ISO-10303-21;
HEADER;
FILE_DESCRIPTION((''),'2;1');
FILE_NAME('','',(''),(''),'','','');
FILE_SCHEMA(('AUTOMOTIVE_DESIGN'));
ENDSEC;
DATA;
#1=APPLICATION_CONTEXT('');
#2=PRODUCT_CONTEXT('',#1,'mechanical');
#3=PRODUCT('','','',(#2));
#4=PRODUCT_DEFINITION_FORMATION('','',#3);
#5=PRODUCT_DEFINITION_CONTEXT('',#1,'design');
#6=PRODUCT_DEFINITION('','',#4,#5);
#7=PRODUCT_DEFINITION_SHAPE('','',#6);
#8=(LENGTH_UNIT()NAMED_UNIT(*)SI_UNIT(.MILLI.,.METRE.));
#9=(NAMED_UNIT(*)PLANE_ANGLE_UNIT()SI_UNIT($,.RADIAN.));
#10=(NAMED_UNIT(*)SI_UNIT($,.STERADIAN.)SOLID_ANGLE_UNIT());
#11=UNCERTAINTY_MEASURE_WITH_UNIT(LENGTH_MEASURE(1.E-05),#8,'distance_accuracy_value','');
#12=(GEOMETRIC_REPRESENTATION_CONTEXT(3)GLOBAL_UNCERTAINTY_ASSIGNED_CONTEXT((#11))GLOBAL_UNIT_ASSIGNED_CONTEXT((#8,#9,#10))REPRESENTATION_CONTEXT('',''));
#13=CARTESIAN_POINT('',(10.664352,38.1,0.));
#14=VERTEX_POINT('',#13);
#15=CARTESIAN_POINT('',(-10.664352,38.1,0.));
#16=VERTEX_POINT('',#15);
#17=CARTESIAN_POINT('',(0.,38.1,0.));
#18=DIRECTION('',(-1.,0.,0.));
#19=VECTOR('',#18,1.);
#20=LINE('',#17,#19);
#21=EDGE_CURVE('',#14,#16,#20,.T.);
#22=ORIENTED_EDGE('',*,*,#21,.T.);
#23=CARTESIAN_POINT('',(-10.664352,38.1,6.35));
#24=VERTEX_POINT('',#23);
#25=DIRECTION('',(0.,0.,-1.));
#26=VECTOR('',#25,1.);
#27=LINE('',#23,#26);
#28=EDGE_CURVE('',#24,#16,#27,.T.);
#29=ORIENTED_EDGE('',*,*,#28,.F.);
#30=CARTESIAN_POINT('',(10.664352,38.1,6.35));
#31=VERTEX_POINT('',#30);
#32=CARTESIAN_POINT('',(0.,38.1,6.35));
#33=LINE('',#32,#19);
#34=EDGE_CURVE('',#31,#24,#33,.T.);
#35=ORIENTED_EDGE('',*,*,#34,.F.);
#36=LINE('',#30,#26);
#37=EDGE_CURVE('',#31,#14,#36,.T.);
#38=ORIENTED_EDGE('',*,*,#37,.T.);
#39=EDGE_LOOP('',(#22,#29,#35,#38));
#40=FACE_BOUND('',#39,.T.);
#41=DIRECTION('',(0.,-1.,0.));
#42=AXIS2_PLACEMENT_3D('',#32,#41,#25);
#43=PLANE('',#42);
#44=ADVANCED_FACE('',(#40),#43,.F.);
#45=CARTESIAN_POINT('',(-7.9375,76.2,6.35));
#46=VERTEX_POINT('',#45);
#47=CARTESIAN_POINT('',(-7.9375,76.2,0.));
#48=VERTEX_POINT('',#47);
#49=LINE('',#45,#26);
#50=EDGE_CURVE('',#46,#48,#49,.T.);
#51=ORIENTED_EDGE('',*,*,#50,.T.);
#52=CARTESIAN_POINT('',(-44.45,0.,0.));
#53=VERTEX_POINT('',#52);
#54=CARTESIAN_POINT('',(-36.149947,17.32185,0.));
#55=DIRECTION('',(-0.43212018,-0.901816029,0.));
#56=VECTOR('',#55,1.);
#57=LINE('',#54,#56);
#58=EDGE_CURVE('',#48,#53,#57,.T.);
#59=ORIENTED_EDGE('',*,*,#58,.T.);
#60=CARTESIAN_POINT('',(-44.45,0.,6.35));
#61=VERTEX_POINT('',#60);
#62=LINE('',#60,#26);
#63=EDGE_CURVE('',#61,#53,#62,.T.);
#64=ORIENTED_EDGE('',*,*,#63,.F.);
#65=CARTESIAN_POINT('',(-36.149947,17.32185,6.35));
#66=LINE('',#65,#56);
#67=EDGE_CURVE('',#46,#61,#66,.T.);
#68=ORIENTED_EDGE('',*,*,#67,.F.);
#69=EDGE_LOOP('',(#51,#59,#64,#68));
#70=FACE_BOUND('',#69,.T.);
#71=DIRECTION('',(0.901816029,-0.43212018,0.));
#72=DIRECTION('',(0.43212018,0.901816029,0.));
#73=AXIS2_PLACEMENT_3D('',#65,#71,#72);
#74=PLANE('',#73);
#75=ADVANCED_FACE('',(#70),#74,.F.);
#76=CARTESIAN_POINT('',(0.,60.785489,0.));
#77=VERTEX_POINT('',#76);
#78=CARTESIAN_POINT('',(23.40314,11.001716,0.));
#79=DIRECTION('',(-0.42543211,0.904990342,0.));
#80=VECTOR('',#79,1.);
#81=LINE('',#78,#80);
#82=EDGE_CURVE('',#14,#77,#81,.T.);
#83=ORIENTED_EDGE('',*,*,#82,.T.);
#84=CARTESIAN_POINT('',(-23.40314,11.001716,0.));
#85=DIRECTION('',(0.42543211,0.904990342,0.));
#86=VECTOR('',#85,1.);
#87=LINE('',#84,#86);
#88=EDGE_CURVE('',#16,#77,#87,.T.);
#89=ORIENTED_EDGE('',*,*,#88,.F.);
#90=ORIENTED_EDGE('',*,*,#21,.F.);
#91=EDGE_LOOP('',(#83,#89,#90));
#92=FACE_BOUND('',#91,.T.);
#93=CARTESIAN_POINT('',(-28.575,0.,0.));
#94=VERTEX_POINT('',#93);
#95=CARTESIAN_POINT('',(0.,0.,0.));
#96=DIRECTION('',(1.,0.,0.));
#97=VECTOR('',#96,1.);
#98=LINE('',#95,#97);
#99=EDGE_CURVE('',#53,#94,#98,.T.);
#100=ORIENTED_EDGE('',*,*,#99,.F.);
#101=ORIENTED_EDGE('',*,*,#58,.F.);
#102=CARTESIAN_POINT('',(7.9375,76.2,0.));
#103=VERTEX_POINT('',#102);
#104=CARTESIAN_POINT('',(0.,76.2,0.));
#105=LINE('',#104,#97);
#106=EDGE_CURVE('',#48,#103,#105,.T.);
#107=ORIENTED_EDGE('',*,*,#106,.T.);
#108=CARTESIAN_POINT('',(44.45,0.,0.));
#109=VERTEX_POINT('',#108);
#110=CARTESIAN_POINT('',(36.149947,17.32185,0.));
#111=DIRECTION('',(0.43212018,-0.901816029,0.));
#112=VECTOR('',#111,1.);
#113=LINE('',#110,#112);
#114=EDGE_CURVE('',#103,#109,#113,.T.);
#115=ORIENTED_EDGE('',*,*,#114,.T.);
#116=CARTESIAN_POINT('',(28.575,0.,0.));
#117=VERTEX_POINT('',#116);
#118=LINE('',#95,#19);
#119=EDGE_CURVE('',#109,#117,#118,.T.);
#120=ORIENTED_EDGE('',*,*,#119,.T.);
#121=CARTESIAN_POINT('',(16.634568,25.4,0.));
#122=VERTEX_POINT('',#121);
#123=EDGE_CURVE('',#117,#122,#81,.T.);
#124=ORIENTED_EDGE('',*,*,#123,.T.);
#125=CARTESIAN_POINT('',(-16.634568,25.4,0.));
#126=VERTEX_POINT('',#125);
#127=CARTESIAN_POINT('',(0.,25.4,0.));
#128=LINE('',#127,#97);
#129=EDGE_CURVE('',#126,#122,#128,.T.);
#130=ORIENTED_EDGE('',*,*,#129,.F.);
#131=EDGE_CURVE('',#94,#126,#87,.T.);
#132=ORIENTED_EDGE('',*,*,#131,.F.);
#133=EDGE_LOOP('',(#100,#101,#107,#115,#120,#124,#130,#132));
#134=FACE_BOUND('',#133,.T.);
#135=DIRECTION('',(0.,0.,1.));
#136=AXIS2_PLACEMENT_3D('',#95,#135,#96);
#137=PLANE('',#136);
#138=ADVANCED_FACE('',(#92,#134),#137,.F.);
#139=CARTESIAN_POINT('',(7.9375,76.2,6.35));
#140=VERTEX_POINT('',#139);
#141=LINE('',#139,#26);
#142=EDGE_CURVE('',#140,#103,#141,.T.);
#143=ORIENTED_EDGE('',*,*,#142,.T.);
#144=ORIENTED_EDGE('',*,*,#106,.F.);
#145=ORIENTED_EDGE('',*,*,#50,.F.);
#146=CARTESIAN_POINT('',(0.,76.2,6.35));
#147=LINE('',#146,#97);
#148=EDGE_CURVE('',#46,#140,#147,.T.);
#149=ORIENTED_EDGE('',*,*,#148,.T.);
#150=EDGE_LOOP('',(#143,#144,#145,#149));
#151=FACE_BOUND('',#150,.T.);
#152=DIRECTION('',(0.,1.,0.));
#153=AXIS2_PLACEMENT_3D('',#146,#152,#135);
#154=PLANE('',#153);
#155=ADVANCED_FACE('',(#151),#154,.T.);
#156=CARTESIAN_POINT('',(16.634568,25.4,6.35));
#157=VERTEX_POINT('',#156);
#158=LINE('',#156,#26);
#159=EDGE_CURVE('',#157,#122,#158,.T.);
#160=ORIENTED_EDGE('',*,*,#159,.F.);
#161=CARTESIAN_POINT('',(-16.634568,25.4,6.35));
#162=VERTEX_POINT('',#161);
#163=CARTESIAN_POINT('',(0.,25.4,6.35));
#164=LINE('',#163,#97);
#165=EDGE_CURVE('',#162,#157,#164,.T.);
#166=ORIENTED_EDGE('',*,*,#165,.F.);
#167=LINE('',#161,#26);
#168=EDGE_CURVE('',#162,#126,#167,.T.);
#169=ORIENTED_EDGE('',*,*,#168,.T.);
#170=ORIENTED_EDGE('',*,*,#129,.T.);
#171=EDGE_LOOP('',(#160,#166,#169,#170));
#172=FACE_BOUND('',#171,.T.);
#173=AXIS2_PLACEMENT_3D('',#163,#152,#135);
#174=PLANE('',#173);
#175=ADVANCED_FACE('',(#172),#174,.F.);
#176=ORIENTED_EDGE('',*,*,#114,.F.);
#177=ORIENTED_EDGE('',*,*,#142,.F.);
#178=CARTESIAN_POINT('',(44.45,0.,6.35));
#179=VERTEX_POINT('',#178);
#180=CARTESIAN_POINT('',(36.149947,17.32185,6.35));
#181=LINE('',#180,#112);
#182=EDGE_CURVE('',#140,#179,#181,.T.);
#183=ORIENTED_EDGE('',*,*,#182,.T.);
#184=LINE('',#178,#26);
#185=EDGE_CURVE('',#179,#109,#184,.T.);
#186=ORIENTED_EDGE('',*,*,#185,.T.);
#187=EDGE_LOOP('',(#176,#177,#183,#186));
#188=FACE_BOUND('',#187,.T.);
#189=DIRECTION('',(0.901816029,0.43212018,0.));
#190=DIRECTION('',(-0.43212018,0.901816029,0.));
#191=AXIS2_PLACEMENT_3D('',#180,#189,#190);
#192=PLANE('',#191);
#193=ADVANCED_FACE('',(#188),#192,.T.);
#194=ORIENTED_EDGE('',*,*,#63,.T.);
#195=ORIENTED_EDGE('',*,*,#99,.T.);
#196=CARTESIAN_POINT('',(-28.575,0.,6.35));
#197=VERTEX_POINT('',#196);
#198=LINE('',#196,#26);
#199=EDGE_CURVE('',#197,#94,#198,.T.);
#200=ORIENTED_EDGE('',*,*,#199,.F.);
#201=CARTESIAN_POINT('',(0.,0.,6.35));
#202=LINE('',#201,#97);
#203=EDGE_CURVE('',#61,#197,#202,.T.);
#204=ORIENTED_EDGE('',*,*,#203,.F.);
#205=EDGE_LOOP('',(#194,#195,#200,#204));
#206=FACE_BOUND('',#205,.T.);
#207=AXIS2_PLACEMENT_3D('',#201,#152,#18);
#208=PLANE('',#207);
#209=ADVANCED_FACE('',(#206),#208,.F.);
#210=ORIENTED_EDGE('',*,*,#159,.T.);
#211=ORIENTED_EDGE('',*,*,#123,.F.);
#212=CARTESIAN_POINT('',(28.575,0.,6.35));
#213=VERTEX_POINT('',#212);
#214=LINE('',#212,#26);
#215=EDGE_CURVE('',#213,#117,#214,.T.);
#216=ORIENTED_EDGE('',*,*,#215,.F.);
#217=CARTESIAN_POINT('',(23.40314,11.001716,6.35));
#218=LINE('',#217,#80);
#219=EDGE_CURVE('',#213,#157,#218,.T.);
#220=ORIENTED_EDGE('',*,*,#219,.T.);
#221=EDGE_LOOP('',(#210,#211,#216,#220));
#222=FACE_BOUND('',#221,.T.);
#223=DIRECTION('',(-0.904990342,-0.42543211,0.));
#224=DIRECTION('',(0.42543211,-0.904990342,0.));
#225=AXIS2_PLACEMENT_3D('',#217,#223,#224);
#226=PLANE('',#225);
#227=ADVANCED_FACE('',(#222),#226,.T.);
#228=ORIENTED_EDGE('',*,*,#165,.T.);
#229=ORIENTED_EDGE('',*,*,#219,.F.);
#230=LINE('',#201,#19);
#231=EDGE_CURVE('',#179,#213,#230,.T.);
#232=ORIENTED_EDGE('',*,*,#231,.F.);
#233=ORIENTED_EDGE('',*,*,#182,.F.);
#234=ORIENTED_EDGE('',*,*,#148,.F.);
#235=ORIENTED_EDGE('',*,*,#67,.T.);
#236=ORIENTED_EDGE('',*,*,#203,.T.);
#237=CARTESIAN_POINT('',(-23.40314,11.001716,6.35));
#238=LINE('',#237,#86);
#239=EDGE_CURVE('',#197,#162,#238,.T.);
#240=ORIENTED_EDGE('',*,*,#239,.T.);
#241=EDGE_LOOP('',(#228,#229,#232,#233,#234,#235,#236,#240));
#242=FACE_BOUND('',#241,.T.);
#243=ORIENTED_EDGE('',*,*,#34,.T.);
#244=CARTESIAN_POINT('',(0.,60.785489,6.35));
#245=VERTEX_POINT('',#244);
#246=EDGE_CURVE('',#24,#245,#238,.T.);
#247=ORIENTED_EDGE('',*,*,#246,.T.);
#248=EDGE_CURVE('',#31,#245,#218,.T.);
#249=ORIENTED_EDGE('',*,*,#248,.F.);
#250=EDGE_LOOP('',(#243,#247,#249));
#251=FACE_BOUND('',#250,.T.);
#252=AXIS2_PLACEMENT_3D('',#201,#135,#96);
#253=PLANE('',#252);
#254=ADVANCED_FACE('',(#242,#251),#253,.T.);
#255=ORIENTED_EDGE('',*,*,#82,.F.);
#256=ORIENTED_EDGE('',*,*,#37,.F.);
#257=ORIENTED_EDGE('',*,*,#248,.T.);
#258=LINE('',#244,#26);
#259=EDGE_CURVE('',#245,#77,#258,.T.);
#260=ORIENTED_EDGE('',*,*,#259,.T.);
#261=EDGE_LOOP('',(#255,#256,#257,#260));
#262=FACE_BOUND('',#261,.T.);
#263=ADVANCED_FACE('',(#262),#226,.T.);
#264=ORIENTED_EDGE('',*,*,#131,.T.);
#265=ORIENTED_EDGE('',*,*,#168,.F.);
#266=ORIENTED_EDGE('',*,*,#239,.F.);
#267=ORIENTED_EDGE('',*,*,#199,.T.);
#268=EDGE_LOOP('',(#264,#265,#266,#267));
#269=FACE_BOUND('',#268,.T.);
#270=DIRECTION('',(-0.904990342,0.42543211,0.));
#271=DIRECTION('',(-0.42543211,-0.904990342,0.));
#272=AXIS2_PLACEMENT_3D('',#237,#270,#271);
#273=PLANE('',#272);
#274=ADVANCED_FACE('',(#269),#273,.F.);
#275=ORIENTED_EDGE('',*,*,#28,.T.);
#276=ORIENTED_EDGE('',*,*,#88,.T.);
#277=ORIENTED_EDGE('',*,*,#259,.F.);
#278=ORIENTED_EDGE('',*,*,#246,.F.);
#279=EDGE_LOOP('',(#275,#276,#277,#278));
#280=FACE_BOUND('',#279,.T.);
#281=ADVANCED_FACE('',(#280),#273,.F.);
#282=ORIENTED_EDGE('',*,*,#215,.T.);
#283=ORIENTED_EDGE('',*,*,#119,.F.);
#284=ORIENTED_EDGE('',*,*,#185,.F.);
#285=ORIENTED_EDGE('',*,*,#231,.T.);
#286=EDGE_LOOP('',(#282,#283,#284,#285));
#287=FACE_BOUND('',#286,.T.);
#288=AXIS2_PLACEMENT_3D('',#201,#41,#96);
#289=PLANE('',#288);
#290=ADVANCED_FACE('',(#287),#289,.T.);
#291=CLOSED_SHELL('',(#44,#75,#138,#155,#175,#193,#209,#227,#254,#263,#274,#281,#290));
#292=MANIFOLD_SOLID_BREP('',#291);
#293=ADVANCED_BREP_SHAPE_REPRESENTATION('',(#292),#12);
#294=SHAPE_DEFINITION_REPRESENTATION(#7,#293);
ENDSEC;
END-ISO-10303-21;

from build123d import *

# Parameters (mm, degrees)
BOSS_EXTRUDE3_DEPTH = 6.35


with BuildPart() as part:
    # Sketch1 → Boss-Extrude3 (new body)
    with BuildSketch(Plane.XY):
        Polygon((0, 60.785489465), (0, 76.2), (-7.9375, 76.2), (-44.45, 0), (-28.575, 0), (-16.634568058, 25.4), (0, 25.4), (0, 38.1), (-10.664352087, 38.1), align=None)
        Polygon((7.9375, 76.2), (0, 76.2), (0, 60.785489465), (10.664352087, 38.1), (0, 38.1), (0, 25.4), (16.634568058, 25.4), (28.575, 0), (44.45, 0), align=None)
    extrude(amount=BOSS_EXTRUDE3_DEPTH)


solid = part.part
